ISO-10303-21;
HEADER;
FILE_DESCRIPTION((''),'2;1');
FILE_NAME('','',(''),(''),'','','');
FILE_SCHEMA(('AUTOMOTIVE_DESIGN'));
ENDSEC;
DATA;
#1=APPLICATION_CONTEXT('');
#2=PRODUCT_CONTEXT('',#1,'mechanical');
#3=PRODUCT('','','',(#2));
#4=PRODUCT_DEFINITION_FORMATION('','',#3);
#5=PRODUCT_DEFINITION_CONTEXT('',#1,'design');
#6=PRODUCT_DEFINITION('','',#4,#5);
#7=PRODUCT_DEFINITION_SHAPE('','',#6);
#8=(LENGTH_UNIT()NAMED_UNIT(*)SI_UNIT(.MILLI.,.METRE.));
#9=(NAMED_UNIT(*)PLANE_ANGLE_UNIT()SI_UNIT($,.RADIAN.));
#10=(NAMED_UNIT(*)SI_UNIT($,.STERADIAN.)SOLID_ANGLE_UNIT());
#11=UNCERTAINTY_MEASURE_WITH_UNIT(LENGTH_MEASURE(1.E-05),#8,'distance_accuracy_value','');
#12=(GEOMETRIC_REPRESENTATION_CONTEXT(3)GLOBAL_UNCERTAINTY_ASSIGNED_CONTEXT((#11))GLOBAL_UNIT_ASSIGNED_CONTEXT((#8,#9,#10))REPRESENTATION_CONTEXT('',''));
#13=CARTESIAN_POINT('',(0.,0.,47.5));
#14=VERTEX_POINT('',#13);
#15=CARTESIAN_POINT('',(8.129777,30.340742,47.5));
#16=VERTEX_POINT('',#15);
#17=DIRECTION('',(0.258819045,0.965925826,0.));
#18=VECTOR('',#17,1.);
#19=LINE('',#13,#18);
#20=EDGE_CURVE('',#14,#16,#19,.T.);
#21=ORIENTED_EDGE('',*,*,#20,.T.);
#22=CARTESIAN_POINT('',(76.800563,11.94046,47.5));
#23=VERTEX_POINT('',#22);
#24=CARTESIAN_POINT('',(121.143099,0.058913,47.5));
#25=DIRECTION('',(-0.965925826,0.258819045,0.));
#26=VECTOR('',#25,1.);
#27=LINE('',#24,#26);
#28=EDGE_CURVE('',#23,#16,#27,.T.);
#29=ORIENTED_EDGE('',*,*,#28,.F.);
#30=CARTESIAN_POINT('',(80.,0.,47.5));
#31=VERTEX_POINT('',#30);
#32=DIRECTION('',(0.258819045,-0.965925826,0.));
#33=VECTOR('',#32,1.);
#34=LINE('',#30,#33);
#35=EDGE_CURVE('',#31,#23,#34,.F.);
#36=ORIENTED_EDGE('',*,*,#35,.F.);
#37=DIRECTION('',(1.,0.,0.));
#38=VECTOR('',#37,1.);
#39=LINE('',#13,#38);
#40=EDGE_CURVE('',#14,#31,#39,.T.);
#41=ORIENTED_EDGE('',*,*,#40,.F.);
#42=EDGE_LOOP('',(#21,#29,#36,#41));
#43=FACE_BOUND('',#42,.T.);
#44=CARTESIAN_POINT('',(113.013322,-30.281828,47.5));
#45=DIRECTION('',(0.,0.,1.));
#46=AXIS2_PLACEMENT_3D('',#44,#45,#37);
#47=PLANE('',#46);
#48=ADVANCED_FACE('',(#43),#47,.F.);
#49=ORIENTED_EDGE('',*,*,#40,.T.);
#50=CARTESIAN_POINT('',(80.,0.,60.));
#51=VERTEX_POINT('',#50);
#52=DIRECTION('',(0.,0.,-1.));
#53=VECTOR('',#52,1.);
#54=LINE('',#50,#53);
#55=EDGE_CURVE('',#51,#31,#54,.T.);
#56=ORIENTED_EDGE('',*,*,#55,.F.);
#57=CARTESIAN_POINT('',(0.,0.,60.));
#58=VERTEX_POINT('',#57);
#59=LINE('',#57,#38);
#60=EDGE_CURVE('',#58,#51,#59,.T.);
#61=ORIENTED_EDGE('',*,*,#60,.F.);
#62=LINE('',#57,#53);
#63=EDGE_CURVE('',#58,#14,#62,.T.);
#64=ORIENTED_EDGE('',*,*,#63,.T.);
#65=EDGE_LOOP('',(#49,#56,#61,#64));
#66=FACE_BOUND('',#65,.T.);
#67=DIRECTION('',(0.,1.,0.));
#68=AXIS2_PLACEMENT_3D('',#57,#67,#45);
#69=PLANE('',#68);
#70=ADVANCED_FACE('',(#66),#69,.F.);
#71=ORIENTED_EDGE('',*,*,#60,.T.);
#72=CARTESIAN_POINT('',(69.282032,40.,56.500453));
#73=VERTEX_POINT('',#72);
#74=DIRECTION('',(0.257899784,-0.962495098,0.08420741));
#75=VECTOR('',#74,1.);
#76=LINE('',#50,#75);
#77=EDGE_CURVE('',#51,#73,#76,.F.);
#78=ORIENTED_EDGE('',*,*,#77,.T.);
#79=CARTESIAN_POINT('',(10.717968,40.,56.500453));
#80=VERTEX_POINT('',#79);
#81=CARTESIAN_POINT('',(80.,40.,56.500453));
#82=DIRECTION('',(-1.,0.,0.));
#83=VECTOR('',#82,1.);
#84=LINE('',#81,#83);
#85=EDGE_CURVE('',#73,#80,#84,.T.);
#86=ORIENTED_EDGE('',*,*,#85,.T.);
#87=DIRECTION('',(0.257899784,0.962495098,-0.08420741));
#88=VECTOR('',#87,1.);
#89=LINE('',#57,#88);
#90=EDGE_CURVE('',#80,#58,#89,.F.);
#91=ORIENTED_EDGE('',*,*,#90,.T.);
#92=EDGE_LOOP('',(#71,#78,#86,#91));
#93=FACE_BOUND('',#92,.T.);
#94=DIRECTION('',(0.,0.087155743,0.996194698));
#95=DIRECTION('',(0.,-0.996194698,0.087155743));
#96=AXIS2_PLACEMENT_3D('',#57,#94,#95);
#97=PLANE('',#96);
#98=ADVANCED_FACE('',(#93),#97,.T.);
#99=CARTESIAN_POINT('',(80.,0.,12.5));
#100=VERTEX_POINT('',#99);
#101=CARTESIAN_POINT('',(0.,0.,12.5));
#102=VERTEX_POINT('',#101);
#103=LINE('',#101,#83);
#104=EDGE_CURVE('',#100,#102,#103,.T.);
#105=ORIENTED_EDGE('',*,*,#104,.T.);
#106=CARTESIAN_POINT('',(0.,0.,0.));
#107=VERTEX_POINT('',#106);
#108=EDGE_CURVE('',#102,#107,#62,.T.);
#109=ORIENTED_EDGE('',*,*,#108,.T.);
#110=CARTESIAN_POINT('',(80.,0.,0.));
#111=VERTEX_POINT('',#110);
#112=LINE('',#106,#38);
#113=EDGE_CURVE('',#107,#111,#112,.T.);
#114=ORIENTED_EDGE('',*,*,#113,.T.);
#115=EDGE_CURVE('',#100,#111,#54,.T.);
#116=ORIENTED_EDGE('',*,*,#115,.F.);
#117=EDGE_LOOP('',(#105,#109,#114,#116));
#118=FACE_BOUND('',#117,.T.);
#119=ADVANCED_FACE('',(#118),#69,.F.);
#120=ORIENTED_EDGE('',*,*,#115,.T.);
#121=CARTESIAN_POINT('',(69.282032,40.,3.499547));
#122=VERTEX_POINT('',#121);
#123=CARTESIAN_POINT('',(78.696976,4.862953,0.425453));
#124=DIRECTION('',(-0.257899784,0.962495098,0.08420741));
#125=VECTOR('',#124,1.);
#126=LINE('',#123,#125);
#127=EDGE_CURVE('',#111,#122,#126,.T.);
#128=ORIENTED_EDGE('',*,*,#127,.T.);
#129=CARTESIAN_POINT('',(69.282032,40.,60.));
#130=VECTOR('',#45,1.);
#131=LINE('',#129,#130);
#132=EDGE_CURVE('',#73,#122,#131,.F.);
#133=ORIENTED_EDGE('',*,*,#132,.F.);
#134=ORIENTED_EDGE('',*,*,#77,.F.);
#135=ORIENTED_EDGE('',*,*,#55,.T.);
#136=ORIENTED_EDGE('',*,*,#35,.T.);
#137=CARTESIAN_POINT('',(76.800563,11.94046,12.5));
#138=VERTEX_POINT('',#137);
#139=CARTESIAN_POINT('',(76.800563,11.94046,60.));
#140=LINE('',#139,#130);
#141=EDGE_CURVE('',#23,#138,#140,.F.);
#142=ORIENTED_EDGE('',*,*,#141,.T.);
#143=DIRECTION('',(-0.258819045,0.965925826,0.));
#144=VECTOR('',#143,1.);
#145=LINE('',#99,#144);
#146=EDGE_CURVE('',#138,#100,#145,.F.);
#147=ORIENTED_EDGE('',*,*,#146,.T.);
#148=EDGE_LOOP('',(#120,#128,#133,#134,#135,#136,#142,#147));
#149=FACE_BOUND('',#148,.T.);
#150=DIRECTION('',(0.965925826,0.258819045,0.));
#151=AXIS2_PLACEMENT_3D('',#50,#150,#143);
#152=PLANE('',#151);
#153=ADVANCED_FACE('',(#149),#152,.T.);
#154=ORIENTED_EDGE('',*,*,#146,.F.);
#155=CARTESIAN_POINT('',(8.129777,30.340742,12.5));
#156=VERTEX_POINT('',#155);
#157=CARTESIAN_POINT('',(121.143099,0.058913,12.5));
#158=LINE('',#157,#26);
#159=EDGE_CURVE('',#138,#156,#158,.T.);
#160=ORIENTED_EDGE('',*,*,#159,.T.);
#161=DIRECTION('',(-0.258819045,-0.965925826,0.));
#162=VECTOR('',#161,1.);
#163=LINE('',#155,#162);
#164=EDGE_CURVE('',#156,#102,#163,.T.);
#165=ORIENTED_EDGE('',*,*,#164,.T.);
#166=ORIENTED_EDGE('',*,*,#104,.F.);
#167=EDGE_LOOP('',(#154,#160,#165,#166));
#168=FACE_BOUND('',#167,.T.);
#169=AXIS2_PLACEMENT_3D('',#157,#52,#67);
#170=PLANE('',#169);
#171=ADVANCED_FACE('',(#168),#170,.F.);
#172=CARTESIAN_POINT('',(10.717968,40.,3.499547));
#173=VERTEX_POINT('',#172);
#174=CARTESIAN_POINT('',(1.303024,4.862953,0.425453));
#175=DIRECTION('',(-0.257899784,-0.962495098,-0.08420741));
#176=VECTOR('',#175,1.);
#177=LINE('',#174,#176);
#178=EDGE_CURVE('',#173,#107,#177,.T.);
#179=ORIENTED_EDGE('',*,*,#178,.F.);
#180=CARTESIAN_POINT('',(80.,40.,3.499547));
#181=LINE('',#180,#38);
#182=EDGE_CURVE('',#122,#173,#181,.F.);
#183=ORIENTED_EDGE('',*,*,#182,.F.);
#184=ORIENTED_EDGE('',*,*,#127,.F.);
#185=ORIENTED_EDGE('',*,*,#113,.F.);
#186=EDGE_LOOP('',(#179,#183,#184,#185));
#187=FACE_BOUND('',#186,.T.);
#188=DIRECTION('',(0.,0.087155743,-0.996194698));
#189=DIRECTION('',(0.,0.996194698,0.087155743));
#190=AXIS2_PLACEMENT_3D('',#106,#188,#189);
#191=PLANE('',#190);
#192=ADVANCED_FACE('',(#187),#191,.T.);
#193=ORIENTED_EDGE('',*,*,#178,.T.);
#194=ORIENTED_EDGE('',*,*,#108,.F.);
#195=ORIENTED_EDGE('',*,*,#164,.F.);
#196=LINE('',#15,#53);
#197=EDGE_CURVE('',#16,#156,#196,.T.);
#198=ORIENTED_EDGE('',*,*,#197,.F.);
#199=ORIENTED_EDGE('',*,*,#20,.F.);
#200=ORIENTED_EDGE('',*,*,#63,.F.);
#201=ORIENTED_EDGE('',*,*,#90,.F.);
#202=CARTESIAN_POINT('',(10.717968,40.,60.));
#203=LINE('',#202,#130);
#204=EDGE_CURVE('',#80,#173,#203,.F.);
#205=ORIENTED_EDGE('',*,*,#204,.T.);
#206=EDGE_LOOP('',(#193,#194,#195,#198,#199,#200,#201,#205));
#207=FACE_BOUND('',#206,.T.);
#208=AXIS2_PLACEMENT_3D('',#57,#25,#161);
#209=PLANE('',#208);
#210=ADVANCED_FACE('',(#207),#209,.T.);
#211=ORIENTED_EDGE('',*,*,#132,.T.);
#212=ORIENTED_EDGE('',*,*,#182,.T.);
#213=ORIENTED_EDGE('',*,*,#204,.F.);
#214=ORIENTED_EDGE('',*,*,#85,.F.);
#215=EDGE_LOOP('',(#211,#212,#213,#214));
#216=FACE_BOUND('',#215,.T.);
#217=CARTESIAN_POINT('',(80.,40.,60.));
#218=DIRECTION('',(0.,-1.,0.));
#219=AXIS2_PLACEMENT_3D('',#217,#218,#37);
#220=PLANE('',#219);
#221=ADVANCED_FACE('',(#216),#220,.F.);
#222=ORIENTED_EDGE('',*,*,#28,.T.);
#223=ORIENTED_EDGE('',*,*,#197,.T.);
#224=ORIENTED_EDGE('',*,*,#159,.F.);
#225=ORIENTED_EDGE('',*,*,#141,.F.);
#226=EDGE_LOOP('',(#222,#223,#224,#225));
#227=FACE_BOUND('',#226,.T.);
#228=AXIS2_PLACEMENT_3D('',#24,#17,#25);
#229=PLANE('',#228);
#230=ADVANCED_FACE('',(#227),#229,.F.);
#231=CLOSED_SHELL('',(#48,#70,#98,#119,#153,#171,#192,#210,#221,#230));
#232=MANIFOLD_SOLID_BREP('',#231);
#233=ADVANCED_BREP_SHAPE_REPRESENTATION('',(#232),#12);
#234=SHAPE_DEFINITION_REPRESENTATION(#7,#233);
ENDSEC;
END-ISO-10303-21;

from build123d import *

# Parameters (mm, degrees)
SKETCH_5_W          = 80
SKETCH_5_H          = 40
EXTRUDE_3_DEPTH     = 60
DRAFT_6_ANGLE       = -15
DRAFT_7_ANGLE       = -5
SKETCH_8_W          = 35
SKETCH_8_H          = 31.411047216
CUT_EXTRUDE_1_DEPTH = 117


with BuildPart() as part:
    # 스케치5 → 보스-돌출3 (new body)
    with BuildSketch(Plane.XY):
        with Locations((40, 20)):
            Rectangle(SKETCH_5_W, SKETCH_5_H)
    extrude(amount=EXTRUDE_3_DEPTH)

    # 구배6
    draft_6_faces = [part.faces().sort_by_distance(p)[0] for p in [
        (80, 20, 30),
        (0, 20, 30),
    ]]
    draft(draft_6_faces, Plane(origin=(0, 0, 60), x_dir=(0, 0, -1), z_dir=(0, -1, 0)), DRAFT_6_ANGLE)

    # 구배7
    draft_7_faces = [part.faces().sort_by_distance(p)[0] for p in [
        (40, 18.968663077, 0),
        (40, 18.968663077, 60),
    ]]
    draft(draft_7_faces, Plane(origin=(0, 0, 60), x_dir=(0, 0, -1), z_dir=(0, -1, 0)), DRAFT_7_ANGLE)

    # 스케치8 → 컷-돌출1 (cut)
    with BuildSketch(Plane(origin=(0, 0, 0), x_dir=(0, 0, 1), z_dir=(-0.9659258262890682, 0.25881904510252135, 0))):
        with Locations((30, 15.705523608)):
            Rectangle(SKETCH_8_W, SKETCH_8_H)
    extrude(amount=-CUT_EXTRUDE_1_DEPTH, mode=Mode.SUBTRACT)


solid = part.part
